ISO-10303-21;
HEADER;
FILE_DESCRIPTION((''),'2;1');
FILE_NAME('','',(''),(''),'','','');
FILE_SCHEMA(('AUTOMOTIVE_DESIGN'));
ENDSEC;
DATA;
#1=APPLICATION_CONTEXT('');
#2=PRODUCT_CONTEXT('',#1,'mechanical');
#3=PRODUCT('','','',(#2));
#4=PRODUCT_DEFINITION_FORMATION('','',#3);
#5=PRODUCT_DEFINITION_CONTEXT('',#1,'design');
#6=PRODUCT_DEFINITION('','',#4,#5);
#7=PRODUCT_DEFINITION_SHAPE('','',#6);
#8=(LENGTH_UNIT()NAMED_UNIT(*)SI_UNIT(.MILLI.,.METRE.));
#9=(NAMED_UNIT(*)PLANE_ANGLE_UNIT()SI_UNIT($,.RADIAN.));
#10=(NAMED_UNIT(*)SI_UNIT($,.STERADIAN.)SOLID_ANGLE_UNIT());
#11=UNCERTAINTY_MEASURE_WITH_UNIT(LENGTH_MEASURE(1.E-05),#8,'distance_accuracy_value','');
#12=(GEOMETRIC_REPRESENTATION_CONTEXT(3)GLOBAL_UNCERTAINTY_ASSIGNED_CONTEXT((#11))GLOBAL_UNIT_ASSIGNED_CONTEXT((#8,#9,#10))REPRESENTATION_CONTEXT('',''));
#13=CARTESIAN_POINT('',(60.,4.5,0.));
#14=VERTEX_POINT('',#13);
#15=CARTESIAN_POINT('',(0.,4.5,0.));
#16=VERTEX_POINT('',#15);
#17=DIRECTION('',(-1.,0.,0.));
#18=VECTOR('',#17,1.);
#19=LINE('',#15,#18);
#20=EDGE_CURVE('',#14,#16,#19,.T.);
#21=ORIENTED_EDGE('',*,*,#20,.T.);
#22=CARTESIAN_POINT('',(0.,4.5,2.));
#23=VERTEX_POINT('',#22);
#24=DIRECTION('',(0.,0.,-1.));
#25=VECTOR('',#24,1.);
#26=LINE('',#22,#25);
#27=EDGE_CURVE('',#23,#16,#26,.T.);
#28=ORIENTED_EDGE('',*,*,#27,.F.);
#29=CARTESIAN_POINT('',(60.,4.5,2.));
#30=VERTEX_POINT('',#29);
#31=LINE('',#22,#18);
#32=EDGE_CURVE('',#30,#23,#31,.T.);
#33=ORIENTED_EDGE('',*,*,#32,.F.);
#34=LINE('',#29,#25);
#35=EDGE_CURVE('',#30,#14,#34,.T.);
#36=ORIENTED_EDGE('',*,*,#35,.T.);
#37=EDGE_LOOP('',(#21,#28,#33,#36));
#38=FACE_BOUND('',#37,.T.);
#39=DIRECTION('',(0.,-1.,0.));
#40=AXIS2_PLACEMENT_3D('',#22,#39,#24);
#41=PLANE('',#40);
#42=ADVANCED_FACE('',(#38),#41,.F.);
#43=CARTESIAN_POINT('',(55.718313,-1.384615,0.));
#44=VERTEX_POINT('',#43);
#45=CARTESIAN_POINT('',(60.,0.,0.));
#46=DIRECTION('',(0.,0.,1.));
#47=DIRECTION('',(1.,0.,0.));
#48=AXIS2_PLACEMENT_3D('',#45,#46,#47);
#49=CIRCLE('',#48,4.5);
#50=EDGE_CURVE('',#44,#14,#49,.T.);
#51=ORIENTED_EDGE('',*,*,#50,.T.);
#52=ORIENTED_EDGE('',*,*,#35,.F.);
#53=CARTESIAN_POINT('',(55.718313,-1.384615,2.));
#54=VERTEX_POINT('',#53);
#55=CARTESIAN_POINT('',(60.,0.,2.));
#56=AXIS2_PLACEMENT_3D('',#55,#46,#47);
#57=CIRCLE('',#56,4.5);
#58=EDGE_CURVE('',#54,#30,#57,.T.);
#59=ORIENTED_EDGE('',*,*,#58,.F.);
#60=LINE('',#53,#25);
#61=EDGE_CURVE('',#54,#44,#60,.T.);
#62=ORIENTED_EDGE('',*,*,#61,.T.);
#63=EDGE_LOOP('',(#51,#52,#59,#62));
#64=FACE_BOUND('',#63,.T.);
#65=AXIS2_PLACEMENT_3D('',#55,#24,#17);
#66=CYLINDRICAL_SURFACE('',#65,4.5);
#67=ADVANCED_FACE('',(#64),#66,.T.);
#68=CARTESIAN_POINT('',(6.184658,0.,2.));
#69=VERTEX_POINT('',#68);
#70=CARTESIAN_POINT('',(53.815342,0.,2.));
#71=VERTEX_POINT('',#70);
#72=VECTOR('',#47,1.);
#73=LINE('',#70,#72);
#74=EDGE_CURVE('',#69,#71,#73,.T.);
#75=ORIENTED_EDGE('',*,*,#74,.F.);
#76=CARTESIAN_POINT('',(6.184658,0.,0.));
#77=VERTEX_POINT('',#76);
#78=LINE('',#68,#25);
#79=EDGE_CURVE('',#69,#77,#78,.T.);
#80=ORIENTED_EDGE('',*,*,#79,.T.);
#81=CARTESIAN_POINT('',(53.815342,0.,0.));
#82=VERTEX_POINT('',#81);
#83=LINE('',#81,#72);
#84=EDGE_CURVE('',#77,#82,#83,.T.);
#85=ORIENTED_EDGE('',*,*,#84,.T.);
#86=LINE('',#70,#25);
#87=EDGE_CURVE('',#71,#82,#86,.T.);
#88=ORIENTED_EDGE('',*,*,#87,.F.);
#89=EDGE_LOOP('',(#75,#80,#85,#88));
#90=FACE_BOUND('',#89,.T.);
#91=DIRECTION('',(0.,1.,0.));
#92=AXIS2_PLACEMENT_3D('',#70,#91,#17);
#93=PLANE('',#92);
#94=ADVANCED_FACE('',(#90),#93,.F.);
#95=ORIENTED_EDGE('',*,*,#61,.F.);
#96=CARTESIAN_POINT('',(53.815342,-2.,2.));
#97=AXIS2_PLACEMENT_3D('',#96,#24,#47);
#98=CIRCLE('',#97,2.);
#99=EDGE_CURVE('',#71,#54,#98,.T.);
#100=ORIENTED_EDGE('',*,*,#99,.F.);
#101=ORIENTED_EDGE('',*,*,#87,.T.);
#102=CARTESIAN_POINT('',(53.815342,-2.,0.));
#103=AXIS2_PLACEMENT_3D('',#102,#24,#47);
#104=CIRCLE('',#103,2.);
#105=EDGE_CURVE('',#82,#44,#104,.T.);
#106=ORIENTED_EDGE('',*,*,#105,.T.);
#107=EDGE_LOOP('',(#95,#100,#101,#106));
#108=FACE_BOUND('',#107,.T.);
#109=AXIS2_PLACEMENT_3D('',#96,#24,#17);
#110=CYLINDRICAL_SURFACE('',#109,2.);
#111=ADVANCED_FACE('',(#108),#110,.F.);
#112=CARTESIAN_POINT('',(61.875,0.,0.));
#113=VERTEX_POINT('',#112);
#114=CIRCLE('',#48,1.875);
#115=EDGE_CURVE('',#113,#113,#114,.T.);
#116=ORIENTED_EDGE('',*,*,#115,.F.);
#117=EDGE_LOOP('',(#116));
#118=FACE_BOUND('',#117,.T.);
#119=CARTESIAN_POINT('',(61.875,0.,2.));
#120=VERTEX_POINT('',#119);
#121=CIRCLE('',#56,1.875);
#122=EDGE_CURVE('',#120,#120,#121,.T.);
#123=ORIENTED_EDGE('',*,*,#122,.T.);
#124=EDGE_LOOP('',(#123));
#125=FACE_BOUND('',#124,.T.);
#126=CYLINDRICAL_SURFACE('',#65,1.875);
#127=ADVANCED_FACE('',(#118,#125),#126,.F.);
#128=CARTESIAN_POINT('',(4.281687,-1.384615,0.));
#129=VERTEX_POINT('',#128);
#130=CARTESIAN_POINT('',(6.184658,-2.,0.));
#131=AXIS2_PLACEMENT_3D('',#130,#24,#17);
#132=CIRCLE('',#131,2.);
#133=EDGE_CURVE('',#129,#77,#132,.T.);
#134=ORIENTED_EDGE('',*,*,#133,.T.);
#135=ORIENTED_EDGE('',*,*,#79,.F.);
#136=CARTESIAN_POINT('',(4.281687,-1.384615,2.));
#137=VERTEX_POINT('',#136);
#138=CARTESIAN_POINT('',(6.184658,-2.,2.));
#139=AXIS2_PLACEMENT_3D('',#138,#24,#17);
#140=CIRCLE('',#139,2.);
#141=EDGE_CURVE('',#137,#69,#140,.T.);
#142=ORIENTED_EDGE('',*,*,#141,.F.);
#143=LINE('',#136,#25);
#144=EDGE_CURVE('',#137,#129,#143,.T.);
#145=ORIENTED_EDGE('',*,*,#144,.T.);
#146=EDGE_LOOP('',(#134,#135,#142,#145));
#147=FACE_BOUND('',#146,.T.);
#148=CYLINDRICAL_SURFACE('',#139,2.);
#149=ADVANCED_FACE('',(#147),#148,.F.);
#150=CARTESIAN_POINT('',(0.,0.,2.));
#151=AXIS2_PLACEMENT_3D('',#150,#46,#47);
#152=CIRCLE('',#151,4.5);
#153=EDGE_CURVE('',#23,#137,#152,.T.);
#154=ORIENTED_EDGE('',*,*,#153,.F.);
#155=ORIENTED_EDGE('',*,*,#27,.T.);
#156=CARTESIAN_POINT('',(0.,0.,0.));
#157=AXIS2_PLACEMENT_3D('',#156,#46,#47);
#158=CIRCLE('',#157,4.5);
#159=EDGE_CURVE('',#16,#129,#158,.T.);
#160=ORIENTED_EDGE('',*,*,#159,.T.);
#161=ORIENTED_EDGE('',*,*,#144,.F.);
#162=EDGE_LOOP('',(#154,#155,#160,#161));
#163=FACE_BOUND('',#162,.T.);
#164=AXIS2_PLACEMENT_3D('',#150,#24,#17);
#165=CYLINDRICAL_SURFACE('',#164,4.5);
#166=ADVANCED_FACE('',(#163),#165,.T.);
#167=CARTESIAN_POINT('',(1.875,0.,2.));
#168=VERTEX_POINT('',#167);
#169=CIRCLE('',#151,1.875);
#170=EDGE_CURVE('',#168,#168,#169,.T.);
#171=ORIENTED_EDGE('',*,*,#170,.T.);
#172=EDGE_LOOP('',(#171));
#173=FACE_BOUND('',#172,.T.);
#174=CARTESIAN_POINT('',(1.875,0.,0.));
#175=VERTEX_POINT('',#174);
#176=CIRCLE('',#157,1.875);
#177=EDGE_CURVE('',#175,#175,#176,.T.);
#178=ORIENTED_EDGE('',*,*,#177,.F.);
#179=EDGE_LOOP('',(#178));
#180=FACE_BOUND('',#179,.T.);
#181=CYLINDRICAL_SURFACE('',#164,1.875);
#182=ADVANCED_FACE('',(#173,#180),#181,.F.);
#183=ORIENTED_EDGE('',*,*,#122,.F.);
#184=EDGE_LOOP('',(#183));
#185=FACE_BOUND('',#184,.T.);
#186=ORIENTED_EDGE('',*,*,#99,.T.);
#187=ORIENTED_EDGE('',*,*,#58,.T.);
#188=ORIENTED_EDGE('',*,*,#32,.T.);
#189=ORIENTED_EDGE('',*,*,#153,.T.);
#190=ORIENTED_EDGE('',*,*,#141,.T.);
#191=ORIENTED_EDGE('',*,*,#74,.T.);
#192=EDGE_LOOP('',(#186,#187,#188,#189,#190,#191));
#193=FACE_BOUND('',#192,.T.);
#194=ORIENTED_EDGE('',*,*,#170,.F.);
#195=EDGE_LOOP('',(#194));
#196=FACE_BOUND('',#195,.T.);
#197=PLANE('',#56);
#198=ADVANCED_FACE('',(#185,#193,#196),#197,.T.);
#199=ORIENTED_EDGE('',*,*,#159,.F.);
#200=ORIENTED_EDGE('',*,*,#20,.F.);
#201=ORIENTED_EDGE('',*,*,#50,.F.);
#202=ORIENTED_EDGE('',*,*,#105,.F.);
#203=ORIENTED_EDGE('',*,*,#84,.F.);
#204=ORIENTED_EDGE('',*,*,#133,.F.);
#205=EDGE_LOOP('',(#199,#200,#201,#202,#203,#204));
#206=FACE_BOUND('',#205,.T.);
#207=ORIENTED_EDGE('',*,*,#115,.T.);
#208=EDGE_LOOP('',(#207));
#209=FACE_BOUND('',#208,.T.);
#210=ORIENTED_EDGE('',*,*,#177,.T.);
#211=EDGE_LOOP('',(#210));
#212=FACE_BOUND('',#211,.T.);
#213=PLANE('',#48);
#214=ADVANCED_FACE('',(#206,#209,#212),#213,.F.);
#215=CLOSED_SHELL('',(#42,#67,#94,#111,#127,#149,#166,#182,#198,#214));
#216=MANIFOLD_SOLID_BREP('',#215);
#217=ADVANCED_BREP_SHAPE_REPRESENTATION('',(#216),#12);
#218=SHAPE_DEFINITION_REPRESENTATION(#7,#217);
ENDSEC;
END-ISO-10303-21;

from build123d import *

# Parameters (mm, degrees)
SKETCH1_R           = 1.875
BOSS_EXTRUDE1_DEPTH = 2


with BuildPart() as part:
    # Sketch1 → Boss-Extrude1 (new body)
    with BuildSketch(Plane.XY):
        with BuildLine():
            Line((0, 4.5), (60, 4.5))
            ThreePointArc((60, 4.5), (63.63873393, -2.647567824), (55.718313389, -1.384615385))
            ThreePointArc((55.718313389, -1.384615385), (54.992038372, -0.38278492), (53.815341562, 0))
            Line((53.815341562, 0), (6.184658438, 0))
            ThreePointArc((6.184658438, 0), (5.007961628, -0.38278492), (4.281686611, -1.384615385))
            ThreePointArc((4.281686611, -1.384615385), (-3.63873393, -2.647567824), (0, 4.5))
        make_face()
        Circle(SKETCH1_R, mode=Mode.SUBTRACT)
        with Locations((60, 0)):
            Circle(SKETCH1_R, mode=Mode.SUBTRACT)
    extrude(amount=BOSS_EXTRUDE1_DEPTH)


solid = part.part
